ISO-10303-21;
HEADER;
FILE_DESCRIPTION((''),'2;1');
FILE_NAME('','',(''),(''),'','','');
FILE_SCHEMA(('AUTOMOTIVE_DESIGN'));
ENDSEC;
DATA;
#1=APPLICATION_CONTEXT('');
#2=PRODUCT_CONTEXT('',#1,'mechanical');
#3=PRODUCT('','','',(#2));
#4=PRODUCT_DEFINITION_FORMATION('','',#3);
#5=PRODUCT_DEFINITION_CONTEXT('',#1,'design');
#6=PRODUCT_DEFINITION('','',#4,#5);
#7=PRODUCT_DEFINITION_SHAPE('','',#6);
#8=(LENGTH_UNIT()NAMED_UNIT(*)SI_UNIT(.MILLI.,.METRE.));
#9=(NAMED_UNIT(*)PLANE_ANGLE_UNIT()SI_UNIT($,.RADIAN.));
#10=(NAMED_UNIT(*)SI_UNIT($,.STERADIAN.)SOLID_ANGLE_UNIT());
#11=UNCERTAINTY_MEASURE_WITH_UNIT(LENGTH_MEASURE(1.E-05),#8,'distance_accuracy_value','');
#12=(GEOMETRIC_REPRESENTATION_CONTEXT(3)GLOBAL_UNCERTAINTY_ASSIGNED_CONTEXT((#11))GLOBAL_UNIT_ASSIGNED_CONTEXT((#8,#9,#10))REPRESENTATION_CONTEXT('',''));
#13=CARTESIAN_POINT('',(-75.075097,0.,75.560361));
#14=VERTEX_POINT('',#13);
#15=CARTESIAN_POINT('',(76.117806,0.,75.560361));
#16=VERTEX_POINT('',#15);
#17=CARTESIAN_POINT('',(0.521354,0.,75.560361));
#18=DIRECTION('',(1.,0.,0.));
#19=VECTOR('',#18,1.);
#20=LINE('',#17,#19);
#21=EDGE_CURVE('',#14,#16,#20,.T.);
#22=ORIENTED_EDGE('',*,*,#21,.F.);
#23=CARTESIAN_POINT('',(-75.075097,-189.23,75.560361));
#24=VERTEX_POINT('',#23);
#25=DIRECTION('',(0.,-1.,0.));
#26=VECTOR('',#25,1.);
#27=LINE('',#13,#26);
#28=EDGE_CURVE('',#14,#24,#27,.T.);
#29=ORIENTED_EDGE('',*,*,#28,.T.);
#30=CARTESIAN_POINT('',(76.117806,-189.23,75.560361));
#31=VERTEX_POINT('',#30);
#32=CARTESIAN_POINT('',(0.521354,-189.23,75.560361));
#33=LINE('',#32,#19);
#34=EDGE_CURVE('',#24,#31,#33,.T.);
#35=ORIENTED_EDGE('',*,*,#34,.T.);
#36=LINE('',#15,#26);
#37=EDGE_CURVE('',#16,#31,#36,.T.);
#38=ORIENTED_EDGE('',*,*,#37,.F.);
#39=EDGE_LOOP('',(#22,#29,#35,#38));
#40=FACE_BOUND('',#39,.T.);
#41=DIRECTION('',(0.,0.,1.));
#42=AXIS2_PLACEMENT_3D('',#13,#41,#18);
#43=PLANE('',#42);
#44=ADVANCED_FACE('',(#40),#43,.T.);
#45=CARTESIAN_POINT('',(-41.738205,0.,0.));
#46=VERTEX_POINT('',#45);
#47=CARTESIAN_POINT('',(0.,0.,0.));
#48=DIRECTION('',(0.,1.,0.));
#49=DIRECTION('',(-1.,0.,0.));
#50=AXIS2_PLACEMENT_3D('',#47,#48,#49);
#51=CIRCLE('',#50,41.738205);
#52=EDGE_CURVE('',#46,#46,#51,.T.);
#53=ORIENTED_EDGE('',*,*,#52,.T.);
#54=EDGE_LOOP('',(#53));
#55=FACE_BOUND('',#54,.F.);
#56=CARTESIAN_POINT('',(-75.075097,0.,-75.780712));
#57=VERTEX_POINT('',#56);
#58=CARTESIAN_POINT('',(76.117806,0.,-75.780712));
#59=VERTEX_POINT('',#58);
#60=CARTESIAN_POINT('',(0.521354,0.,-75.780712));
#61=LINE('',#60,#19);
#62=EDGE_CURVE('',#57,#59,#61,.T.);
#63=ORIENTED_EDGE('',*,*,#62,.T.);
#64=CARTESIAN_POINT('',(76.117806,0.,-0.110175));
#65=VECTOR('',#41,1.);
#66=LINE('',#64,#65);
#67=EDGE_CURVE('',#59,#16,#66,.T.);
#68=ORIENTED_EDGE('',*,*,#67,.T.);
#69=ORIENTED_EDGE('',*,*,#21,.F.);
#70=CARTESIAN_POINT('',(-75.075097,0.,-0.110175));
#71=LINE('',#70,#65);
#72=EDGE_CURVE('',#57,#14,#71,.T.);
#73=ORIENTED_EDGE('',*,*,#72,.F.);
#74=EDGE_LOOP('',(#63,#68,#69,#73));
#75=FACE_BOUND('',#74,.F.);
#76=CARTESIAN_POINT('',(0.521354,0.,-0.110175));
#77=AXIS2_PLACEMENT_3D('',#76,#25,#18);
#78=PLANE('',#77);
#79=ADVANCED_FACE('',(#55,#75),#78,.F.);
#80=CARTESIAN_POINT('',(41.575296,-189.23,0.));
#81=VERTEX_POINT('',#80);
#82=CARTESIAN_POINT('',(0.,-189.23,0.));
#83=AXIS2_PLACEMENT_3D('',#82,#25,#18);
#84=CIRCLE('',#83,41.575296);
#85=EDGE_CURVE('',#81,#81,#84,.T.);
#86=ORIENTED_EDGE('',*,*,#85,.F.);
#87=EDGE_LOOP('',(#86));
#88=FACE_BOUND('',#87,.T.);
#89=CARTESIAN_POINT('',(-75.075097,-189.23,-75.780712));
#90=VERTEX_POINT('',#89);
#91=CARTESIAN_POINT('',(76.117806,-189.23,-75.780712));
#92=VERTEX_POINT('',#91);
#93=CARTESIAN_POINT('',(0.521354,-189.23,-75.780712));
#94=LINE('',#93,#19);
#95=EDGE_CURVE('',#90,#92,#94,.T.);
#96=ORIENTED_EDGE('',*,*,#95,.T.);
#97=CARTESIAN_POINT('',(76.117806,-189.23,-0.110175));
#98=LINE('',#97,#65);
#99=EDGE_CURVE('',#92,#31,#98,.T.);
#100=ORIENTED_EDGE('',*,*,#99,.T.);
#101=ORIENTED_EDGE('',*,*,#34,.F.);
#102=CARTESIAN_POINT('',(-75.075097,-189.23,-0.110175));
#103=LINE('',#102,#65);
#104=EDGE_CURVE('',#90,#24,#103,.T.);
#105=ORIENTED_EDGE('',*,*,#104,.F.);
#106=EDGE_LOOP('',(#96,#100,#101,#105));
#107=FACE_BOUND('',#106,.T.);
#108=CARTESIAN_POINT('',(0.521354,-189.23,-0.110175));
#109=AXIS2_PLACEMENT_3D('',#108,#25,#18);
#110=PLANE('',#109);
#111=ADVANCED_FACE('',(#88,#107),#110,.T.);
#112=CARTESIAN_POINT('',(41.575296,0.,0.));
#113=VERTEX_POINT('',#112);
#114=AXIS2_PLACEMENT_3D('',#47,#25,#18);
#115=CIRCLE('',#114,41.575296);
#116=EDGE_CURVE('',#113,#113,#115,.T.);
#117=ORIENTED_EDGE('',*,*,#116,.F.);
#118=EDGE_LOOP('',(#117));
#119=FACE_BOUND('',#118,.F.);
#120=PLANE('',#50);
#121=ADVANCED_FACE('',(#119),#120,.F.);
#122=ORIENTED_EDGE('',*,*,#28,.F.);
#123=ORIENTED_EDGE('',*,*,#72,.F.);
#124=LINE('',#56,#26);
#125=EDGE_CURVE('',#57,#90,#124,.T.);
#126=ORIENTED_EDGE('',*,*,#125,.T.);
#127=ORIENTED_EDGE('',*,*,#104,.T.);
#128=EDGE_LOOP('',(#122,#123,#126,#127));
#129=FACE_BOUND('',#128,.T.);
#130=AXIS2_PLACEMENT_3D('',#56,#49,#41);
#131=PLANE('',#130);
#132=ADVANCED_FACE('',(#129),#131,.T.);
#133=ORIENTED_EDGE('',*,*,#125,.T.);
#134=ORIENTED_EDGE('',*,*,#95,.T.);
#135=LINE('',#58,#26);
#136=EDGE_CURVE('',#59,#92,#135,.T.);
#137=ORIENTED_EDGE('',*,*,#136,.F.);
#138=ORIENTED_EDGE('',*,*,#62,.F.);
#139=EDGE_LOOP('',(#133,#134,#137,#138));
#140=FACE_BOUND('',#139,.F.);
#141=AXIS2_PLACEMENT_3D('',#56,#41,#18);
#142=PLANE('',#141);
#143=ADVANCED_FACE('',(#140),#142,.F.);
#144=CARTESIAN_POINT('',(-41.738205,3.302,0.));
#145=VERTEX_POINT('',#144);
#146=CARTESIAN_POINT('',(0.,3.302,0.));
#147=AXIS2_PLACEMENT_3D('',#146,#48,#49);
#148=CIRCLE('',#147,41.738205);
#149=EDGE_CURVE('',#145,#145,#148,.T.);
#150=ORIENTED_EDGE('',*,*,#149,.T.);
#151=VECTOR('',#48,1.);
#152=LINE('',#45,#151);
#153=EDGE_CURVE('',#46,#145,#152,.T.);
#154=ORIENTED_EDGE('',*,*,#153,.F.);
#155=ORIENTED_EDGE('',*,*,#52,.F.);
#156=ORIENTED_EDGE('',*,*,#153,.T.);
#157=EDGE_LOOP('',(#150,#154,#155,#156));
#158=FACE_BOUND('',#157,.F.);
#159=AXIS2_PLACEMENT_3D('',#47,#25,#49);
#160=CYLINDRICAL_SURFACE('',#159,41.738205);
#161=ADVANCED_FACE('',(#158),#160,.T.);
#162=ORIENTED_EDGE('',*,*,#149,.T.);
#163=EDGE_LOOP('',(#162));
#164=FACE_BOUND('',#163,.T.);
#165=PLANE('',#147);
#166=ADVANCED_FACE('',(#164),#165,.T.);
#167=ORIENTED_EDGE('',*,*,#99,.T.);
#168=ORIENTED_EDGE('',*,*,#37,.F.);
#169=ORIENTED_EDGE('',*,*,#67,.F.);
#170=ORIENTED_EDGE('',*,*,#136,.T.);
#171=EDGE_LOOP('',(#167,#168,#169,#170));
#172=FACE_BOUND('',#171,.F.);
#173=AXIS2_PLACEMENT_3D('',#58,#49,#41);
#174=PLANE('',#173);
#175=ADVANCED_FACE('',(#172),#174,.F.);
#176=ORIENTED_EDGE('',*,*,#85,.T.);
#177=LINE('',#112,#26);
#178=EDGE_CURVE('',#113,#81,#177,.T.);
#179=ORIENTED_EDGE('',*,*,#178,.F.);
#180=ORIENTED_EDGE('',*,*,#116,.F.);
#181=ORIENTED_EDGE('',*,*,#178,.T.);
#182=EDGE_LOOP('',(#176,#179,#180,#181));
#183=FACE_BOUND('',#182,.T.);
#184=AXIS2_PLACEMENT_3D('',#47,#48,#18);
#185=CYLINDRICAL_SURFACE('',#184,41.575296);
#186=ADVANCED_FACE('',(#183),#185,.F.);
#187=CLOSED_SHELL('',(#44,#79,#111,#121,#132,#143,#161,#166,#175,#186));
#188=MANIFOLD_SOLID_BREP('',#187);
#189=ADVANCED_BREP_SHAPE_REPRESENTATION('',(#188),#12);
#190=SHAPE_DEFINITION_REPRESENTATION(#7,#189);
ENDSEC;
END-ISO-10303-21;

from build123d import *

# Parameters (mm, degrees)
F0_W     = 151.1929035187
F0_H     = 151.341073215
F0_R     = 41.5752961905
F1_DEPTH = 189.23
F3_R     = 41.7382052219
F4_DEPTH = 3.302


with BuildPart() as f1:
    # F0 (on Front) → F1 (new body)
    with BuildSketch(Plane.XZ):
        with Locations((0.5213543773, -0.1101754606)):
            Rectangle(F0_W, F0_H)
        Circle(F0_R, mode=Mode.SUBTRACT)
    extrude(amount=F1_DEPTH)

    # F3 (on face) → F4 (join)
    with BuildSketch(Plane(origin=(0, 0, 0), x_dir=(-1, 0, 0), z_dir=(0, 1, 0))):
        Circle(F3_R)
    extrude(amount=F4_DEPTH)


solid = f1.part
